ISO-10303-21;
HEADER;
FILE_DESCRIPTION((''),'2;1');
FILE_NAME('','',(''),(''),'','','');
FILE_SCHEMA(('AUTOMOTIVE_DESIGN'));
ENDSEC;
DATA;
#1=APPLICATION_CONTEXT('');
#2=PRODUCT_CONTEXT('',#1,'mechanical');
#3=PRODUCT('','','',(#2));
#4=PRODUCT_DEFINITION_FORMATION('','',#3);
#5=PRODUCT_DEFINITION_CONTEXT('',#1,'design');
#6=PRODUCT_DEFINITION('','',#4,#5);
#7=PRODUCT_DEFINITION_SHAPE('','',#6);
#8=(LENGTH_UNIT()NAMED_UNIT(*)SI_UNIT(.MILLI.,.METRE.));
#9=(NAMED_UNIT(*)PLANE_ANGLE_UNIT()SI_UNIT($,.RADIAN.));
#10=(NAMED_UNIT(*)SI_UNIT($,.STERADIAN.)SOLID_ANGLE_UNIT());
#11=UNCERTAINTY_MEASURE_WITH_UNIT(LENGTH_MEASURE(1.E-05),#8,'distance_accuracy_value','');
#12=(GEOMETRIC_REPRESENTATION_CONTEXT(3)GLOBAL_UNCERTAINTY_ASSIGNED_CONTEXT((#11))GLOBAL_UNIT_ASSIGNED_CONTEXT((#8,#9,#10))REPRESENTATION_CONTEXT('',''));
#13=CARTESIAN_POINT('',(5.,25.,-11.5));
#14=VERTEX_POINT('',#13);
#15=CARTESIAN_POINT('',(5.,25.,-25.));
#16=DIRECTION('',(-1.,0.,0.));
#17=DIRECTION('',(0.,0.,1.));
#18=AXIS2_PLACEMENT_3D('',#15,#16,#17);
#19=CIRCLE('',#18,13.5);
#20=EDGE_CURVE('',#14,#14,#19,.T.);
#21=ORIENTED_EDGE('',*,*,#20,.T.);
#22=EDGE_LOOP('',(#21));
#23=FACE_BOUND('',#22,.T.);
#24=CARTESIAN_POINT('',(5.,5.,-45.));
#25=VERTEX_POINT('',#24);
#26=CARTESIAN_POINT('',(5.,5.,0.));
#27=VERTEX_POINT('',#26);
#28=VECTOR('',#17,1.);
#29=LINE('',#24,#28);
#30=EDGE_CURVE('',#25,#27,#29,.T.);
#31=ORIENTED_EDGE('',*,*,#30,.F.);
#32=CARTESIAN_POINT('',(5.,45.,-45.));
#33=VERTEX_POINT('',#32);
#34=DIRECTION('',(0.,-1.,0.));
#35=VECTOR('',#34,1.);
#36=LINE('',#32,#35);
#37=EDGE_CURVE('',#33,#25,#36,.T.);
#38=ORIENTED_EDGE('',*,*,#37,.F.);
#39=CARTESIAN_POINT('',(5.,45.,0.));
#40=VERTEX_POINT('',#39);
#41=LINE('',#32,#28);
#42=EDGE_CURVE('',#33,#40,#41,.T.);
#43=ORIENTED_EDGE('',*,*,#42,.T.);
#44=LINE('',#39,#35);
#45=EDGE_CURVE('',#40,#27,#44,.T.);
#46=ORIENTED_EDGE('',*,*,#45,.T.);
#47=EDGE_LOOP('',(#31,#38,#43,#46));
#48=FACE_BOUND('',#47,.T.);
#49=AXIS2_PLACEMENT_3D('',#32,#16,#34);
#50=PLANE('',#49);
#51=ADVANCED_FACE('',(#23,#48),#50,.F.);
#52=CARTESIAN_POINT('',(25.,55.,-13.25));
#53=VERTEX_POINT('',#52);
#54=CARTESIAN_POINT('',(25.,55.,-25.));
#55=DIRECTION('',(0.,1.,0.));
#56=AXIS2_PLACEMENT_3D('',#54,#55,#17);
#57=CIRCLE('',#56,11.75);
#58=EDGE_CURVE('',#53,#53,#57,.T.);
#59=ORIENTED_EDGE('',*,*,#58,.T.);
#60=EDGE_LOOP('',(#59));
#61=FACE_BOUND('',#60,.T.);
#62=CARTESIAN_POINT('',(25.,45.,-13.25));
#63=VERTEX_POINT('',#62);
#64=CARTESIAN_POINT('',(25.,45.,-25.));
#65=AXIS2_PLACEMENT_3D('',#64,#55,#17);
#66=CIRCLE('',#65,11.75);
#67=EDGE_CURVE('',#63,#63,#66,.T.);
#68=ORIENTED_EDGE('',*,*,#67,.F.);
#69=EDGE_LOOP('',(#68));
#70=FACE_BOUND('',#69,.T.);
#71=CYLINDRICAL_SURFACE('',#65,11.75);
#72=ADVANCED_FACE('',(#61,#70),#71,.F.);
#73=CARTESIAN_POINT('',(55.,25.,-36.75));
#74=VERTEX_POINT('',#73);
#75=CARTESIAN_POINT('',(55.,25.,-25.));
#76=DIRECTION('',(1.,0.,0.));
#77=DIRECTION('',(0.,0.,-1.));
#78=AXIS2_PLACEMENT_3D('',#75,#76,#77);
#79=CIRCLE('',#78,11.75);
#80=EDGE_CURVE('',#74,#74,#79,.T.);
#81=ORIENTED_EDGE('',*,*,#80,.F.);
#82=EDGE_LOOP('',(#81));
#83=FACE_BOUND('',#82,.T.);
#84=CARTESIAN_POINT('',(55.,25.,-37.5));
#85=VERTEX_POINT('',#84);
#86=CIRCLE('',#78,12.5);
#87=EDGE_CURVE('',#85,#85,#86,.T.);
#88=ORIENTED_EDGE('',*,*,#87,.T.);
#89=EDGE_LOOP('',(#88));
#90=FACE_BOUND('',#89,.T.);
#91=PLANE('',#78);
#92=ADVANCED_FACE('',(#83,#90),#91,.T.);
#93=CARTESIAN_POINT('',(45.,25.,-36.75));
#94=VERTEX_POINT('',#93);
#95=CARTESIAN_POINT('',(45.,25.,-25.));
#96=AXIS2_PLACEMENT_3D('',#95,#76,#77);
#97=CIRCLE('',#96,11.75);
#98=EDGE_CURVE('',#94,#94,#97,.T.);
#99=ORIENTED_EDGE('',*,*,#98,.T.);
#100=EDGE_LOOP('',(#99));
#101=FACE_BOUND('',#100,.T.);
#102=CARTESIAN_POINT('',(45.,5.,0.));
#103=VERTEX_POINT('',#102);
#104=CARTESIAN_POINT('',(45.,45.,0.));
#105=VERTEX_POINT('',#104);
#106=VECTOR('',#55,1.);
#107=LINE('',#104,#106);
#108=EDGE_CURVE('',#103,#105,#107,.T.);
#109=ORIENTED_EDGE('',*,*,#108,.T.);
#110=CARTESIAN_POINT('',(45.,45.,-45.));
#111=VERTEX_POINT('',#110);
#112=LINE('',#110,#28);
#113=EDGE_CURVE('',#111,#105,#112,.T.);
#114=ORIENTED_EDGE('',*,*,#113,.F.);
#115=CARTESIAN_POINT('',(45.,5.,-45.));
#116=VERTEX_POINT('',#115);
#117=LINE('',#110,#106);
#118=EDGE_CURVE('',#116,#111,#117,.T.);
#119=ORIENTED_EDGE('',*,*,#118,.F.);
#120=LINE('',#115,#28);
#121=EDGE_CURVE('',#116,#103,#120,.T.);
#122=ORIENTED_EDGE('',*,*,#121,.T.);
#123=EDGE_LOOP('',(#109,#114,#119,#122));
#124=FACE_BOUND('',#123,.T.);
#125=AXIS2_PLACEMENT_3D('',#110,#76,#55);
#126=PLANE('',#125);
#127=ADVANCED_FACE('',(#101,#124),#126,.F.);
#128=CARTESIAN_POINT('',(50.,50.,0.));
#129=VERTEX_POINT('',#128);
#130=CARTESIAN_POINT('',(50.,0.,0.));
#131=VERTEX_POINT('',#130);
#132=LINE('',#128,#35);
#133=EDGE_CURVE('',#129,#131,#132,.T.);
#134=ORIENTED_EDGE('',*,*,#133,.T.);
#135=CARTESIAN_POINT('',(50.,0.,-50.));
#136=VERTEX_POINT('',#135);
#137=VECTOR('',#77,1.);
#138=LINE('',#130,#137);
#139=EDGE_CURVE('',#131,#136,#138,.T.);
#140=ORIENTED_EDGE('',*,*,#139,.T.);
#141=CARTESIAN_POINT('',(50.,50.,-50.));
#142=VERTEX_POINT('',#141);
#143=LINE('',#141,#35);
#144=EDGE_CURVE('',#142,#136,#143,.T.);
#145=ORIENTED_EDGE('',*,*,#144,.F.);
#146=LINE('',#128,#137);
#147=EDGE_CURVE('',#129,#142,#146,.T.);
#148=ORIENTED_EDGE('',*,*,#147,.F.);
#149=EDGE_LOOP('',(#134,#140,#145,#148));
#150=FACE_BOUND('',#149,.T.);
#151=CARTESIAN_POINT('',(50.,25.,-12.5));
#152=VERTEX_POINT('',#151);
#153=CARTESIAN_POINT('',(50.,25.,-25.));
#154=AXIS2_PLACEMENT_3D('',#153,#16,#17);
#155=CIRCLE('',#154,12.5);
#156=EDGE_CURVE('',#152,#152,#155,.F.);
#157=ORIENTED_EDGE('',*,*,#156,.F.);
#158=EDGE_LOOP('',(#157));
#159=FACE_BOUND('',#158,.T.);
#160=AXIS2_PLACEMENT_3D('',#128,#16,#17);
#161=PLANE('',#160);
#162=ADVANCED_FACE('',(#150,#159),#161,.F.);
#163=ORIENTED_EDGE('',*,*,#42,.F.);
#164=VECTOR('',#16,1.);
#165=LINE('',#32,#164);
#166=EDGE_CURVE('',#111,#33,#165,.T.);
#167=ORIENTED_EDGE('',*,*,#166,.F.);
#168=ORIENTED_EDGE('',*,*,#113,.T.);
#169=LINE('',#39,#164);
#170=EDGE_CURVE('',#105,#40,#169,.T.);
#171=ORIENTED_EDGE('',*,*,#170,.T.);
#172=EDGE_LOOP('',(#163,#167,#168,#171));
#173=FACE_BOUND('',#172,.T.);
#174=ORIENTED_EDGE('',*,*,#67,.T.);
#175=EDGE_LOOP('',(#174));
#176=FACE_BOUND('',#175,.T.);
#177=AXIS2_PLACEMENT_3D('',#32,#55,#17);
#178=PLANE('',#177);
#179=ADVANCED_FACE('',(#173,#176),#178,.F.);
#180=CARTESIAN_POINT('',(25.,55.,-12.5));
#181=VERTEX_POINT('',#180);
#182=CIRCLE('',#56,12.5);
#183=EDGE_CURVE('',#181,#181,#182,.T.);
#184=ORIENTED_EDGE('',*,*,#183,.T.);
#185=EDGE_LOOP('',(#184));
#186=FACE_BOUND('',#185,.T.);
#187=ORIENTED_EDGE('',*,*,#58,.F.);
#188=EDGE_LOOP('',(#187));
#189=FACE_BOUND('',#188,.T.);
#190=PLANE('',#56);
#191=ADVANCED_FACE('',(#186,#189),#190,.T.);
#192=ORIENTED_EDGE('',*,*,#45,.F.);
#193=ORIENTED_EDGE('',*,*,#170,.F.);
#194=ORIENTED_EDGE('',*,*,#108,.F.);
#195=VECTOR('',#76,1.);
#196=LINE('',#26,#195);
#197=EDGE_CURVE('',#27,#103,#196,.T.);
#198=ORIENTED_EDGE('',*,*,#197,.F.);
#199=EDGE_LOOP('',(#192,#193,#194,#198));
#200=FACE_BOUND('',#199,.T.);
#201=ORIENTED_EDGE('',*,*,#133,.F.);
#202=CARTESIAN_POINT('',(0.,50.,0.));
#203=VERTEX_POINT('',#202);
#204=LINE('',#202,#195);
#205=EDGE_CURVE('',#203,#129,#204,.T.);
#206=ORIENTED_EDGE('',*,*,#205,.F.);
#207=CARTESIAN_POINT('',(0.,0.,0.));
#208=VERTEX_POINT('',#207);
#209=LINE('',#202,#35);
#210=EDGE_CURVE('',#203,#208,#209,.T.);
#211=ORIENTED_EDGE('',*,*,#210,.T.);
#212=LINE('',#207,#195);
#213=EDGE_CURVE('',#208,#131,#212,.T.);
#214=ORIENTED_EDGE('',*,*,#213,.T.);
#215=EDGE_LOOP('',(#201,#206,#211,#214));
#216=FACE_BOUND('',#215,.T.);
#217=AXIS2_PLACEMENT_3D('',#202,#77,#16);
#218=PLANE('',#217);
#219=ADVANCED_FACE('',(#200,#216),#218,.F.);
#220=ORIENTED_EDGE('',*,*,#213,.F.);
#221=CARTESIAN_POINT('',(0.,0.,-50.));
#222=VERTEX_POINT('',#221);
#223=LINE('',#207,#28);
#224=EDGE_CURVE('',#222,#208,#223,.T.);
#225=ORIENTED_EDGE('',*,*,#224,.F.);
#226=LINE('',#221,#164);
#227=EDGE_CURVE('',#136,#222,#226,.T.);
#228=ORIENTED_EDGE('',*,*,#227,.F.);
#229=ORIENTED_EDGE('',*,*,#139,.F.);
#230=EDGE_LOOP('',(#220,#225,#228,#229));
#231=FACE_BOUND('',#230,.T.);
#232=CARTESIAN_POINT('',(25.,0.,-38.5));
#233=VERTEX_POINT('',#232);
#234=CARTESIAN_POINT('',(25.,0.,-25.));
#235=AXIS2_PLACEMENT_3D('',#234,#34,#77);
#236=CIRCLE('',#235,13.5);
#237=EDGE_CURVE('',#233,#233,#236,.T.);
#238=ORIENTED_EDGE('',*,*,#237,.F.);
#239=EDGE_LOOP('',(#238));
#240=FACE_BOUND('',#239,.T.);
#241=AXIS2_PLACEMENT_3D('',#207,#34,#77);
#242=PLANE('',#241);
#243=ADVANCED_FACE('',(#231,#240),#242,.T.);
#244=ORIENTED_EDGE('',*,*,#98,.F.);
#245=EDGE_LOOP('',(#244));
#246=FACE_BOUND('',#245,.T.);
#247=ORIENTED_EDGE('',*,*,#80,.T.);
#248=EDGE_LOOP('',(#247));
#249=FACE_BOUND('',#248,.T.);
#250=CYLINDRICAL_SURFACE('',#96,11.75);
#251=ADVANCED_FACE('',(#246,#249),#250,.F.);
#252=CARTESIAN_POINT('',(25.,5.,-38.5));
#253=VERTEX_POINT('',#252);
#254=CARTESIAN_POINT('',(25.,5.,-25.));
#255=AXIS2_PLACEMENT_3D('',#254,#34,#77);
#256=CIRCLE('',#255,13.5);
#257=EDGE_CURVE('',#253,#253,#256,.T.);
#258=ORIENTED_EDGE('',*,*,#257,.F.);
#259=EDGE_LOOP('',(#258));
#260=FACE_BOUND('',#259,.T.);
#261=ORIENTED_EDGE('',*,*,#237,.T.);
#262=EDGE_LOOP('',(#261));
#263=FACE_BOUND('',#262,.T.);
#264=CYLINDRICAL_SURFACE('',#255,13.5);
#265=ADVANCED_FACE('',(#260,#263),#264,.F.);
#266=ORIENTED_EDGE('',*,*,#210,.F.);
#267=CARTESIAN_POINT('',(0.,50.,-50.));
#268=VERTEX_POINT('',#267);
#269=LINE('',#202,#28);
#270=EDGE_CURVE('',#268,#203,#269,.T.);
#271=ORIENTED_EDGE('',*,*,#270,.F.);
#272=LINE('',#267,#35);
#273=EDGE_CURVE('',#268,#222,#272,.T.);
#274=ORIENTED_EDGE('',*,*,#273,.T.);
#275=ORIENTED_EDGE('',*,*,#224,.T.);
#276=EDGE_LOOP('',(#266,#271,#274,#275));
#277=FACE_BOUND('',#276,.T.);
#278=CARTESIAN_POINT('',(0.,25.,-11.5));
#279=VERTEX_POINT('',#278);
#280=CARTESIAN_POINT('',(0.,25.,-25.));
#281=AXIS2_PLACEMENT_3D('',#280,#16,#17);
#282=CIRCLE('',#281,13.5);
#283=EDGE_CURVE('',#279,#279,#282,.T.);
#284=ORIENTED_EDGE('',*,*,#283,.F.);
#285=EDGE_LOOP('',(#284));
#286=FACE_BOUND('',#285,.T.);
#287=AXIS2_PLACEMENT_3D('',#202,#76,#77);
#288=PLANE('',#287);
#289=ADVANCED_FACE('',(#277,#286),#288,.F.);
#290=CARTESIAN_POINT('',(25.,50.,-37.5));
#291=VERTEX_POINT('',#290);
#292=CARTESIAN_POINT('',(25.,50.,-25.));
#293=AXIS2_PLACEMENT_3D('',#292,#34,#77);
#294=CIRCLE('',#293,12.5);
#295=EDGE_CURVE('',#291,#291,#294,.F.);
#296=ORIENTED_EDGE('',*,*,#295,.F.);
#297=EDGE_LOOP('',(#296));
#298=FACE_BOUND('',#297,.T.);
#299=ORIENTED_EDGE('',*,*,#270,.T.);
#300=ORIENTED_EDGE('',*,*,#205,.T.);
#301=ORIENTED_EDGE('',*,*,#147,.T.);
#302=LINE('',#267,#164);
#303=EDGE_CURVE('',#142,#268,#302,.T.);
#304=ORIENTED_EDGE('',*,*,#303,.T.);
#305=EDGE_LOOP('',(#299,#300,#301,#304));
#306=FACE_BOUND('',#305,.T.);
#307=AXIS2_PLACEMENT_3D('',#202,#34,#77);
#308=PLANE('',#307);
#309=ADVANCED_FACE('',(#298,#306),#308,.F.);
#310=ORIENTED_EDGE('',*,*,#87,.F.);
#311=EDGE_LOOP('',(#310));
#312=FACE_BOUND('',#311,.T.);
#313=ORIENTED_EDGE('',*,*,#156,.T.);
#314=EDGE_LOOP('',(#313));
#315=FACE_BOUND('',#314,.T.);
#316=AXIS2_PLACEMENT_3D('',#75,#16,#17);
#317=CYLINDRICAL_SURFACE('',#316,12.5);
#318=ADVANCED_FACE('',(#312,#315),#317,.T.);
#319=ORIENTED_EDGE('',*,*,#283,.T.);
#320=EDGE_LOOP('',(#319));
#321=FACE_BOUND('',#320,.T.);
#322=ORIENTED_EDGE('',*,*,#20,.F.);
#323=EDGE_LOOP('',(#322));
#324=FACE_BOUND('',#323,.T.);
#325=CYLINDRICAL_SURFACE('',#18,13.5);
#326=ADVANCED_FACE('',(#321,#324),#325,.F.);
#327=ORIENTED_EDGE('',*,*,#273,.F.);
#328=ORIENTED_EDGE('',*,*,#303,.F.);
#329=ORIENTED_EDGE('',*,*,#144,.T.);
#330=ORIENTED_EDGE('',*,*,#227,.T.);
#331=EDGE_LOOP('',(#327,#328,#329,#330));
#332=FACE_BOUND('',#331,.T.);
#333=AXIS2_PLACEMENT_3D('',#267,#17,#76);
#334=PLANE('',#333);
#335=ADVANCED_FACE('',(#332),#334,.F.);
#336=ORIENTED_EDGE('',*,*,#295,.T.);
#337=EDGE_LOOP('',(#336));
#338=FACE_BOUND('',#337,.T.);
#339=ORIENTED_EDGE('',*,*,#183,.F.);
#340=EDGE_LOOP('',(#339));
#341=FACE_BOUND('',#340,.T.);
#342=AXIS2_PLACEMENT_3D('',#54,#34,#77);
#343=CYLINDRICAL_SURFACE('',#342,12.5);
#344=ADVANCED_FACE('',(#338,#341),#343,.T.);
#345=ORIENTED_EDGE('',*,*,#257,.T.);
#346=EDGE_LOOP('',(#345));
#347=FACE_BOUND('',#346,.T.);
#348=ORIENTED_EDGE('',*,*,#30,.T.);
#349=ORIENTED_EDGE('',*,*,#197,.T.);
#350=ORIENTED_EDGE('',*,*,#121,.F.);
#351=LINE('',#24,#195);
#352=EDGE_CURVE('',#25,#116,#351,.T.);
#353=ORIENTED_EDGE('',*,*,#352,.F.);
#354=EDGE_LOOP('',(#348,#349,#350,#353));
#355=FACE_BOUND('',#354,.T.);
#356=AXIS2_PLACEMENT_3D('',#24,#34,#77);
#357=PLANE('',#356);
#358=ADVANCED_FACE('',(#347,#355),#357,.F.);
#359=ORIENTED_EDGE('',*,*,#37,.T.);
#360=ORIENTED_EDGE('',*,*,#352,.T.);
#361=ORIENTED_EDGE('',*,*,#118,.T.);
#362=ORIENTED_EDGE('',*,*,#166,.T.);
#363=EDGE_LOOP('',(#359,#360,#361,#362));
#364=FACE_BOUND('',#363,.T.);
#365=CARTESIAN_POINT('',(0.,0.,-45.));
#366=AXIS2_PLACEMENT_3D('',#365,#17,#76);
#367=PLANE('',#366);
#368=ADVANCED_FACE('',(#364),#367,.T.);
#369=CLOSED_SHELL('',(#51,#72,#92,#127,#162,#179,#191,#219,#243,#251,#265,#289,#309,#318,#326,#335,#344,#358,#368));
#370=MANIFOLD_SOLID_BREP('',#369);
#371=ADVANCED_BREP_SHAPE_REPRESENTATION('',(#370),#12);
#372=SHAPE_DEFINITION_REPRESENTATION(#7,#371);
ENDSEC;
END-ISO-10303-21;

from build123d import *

# Parameters (mm, degrees)
SKETCH1_W           = 50
SKETCH1_H           = 50
BOSS_EXTRUDE1_DEPTH = 50
SKETCH2_W           = 40
SKETCH2_H           = 40
CUT_EXTRUDE1_DEPTH  = 45
SKETCH3_R           = 12.5
BOSS_EXTRUDE2_DEPTH = 5
SKETCH4_R           = 13.5
CUT_EXTRUDE2_DEPTH  = 5
SKETCH5_R           = 12.5
BOSS_EXTRUDE3_DEPTH = 5
SKETCH6_R           = 13.5
CUT_EXTRUDE3_DEPTH  = 5
SKETCH7_R           = 11.75
CUT_EXTRUDE4_DEPTH  = 10
SKETCH8_R           = 11.75
CUT_EXTRUDE5_DEPTH  = 10


with BuildPart() as part:
    # Sketch1 → Boss-Extrude1 (new body)
    with BuildSketch(Plane(origin=(0, 0, 0), x_dir=(1, 0, 0), z_dir=(0, 1, 0))):
        with Locations((25, 25)):
            Rectangle(SKETCH1_W, SKETCH1_H)
    extrude(amount=BOSS_EXTRUDE1_DEPTH)

    # Sketch2 → Cut-Extrude1 (cut)
    with BuildSketch(Plane.XY):
        with Locations((25, 25)):
            Rectangle(SKETCH2_W, SKETCH2_H)
    extrude(amount=-CUT_EXTRUDE1_DEPTH, mode=Mode.SUBTRACT)

    # Sketch3 → Boss-Extrude2 (add)
    with BuildSketch(Plane(origin=(0, 50, 0), x_dir=(1, 0, 0), z_dir=(0, 1, 0))):
        with Locations(Location((25, 25, 0), (0, 0, 90))):
            Circle(SKETCH3_R)
    extrude(amount=BOSS_EXTRUDE2_DEPTH)

    # Sketch4 → Cut-Extrude2 (cut)
    with BuildSketch(Plane.XZ):
        with Locations(Location((25, -25, 0), (0, 0, 270))):
            Circle(SKETCH4_R)
    extrude(amount=-CUT_EXTRUDE2_DEPTH, mode=Mode.SUBTRACT)

    # Sketch5 → Boss-Extrude3 (add)
    with BuildSketch(Plane(origin=(50, 0, 0), x_dir=(0, 0, -1), z_dir=(1, 0, 0))):
        with Locations(Location((25, 25, 0), (0, 0, 180))):
            Circle(SKETCH5_R)
    extrude(amount=BOSS_EXTRUDE3_DEPTH)

    # Sketch6 → Cut-Extrude3 (cut)
    with BuildSketch(Plane.ZY):
        with Locations((-25, 25)):
            Circle(SKETCH6_R)
    extrude(amount=-CUT_EXTRUDE3_DEPTH, mode=Mode.SUBTRACT)

    # Sketch7 → Cut-Extrude4 (cut)
    with BuildSketch(Plane(origin=(0, 55, 0), x_dir=(1, 0, 0), z_dir=(0, 1, 0))):
        with Locations(Location((25, 25, 0), (0, 0, 270))):
            Circle(SKETCH7_R)
    extrude(amount=-CUT_EXTRUDE4_DEPTH, mode=Mode.SUBTRACT)

    # Sketch8 → Cut-Extrude5 (cut)
    with BuildSketch(Plane(origin=(55, 0, 0), x_dir=(0, 0, -1), z_dir=(1, 0, 0))):
        with Locations((25, 25)):
            Circle(SKETCH8_R)
    extrude(amount=-CUT_EXTRUDE5_DEPTH, mode=Mode.SUBTRACT)


solid = part.part
